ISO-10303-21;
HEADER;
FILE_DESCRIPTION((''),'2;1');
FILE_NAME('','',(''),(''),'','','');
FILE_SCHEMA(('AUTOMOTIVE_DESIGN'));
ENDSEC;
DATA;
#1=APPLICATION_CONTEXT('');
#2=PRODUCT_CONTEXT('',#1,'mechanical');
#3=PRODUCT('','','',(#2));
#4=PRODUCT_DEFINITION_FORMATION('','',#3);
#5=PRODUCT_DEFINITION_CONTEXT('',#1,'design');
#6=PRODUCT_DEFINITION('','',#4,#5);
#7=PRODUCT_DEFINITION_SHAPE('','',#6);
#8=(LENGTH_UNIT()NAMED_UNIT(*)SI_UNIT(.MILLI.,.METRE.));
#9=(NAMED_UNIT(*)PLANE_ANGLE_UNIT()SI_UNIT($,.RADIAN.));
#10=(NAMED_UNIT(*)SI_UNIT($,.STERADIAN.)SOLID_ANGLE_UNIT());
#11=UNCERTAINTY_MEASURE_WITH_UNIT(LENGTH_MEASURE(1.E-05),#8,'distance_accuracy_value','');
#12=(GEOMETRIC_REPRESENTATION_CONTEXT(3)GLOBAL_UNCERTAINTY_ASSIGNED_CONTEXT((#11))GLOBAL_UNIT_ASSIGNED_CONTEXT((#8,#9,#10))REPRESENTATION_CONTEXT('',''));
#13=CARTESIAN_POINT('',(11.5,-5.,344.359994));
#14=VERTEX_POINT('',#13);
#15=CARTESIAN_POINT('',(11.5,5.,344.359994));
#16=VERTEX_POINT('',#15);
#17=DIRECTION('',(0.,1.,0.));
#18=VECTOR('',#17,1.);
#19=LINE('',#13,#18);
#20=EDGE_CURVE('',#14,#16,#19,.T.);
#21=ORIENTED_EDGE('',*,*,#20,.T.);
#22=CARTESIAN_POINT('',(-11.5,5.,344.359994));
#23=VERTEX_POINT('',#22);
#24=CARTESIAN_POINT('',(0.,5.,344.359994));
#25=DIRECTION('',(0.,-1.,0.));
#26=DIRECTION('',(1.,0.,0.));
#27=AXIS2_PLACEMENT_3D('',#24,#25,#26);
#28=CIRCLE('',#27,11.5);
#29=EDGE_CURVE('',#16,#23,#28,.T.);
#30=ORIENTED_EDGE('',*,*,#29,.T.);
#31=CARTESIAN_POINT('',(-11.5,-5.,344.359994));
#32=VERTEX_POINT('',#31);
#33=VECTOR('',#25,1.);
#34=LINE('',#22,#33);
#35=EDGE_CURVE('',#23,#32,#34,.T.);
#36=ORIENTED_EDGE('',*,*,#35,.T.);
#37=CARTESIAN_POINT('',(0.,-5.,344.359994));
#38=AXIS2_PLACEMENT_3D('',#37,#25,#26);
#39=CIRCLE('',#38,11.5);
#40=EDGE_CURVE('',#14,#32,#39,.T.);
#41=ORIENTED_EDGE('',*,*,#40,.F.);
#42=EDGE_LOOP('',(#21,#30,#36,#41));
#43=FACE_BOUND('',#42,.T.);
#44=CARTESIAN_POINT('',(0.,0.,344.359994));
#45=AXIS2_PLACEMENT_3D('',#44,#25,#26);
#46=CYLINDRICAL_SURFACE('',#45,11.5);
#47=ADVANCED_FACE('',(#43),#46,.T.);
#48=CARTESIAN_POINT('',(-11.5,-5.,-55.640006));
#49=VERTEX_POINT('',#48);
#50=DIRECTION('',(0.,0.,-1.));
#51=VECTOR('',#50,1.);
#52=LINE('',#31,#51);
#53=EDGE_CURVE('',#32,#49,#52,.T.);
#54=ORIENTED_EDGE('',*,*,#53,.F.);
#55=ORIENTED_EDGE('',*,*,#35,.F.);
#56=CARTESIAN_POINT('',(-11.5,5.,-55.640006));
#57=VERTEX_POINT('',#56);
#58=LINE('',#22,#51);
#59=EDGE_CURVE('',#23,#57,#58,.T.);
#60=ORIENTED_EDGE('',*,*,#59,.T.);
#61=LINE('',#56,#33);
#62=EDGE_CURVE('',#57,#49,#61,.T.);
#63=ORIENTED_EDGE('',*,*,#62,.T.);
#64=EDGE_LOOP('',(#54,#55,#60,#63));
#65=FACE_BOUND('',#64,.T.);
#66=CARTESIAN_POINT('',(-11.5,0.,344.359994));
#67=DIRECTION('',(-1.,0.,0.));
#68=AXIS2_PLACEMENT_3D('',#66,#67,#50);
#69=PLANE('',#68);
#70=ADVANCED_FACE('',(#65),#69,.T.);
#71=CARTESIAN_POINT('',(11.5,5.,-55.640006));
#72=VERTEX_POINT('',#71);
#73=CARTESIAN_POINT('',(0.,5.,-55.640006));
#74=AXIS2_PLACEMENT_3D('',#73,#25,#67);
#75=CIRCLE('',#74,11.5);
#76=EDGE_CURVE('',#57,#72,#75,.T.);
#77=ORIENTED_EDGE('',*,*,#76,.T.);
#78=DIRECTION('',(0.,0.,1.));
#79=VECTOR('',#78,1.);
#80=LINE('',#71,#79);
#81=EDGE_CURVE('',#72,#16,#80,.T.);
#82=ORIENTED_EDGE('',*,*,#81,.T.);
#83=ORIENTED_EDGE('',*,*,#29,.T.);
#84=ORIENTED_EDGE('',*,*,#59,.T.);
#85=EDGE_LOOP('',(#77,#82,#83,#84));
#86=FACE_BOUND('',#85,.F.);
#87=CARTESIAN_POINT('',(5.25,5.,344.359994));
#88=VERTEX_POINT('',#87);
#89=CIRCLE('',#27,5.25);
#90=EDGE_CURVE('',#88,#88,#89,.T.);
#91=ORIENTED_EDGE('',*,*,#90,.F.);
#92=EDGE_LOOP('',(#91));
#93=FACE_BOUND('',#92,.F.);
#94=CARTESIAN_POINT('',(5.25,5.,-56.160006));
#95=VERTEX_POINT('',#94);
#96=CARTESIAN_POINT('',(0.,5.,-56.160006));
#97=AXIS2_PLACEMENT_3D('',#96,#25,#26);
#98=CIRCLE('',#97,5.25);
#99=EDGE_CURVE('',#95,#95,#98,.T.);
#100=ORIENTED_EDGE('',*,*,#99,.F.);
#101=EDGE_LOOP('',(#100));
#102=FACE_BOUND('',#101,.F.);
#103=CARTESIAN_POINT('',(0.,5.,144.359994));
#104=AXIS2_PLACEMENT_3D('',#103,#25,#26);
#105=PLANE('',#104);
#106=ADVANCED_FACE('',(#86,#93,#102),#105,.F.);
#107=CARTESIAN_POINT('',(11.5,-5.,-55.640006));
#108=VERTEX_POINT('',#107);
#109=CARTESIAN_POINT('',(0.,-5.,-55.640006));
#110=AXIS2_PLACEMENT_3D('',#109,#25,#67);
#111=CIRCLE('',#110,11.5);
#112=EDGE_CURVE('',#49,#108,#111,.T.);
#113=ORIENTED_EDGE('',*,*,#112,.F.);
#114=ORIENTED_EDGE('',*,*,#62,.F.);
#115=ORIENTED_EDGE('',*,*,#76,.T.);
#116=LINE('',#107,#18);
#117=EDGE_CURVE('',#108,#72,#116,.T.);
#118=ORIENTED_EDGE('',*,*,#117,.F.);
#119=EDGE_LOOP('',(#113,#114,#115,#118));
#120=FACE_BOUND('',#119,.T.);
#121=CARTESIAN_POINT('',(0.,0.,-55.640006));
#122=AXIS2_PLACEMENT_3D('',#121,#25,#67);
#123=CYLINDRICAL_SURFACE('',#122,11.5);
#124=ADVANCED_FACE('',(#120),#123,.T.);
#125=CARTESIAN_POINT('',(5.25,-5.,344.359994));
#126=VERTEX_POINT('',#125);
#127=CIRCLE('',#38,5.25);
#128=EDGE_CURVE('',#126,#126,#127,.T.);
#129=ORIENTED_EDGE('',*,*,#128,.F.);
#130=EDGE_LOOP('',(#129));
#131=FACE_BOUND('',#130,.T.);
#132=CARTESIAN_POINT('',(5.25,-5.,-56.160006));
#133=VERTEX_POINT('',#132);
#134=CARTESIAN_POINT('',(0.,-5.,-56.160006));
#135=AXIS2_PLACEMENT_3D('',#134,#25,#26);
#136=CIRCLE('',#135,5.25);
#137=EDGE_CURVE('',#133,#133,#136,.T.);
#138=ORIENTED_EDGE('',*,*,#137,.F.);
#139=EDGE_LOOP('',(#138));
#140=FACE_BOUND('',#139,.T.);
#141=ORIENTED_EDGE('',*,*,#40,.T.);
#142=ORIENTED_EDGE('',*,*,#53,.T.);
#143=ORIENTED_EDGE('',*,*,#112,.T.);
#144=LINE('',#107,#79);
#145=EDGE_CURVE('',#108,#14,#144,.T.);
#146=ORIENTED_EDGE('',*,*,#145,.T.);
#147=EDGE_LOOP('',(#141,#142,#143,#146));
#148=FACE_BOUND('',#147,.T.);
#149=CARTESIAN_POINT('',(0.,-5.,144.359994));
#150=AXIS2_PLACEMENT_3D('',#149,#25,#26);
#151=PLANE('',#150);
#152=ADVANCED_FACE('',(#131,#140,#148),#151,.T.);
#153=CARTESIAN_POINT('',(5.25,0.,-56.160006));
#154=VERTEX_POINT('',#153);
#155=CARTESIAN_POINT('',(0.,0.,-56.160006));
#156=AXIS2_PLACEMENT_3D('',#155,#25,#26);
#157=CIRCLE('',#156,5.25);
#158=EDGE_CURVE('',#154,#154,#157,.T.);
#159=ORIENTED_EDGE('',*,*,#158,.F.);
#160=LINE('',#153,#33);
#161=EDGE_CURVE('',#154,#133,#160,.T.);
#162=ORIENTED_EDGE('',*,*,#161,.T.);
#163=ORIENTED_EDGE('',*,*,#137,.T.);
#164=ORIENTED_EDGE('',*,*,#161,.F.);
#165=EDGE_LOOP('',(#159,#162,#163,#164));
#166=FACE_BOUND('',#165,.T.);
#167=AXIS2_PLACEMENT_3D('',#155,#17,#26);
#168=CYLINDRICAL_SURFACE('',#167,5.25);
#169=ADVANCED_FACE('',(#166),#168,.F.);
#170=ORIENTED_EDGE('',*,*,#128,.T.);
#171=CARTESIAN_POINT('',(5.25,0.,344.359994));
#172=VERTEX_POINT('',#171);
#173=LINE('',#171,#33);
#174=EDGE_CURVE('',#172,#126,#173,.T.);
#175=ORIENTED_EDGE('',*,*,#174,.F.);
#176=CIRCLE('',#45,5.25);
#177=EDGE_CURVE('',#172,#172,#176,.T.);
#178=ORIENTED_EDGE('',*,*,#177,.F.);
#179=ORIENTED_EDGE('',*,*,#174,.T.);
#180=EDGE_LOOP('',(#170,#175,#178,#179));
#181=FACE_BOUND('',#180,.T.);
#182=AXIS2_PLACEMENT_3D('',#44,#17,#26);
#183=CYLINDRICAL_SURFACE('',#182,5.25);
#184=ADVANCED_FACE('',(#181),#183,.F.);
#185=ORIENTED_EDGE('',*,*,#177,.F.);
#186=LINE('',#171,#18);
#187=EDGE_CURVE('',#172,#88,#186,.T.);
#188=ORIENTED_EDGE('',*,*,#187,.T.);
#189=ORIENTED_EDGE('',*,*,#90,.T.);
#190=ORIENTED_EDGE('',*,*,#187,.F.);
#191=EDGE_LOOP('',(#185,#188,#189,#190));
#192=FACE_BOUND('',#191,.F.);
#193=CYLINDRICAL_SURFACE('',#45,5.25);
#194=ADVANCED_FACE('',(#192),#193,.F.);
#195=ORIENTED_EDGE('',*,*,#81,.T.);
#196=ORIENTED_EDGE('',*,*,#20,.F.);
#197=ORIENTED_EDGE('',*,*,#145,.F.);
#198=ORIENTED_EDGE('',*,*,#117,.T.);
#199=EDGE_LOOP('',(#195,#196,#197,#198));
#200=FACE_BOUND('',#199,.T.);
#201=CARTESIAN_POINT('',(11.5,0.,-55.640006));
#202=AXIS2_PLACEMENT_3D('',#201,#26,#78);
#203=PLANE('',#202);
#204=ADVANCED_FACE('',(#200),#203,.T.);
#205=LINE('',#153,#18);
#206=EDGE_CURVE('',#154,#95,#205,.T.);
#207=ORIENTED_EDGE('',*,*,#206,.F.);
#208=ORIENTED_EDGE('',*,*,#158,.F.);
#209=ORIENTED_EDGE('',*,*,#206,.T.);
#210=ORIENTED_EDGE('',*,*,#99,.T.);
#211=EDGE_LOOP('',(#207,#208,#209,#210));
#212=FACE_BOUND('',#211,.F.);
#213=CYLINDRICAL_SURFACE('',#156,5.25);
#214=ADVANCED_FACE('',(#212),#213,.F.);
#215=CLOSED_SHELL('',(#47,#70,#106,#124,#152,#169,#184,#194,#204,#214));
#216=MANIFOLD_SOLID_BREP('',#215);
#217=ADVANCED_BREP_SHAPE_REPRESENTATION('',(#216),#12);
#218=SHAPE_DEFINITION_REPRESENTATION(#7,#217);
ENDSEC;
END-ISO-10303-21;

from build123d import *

# Parameters (mm, degrees)
F0_R          = 5.25
F1_DEPTH      = 5
F1_DEPTH_BACK = 5


with BuildPart() as f1:
    # F0 (on Front) → F1 (new body, two sides)
    with BuildSketch(Plane.XZ) as f1_sk:
        with BuildLine():
            ThreePointArc((11.5, 344.359994), (0, 355.859994), (-11.5, 344.359994))
            Line((-11.5, 344.359994), (-11.5, -55.640006))
            ThreePointArc((-11.5, -55.640006), (0, -67.140006), (11.5, -55.640006))
            Line((11.5, -55.640006), (11.5, 344.359994))
        make_face()
        with Locations((0, -56.160006)):
            Circle(F0_R, mode=Mode.SUBTRACT)
        with Locations((0, 344.359994)):
            Circle(F0_R, mode=Mode.SUBTRACT)
    extrude(amount=F1_DEPTH)
    extrude(f1_sk.sketch, amount=-F1_DEPTH_BACK)


solid = f1.part
